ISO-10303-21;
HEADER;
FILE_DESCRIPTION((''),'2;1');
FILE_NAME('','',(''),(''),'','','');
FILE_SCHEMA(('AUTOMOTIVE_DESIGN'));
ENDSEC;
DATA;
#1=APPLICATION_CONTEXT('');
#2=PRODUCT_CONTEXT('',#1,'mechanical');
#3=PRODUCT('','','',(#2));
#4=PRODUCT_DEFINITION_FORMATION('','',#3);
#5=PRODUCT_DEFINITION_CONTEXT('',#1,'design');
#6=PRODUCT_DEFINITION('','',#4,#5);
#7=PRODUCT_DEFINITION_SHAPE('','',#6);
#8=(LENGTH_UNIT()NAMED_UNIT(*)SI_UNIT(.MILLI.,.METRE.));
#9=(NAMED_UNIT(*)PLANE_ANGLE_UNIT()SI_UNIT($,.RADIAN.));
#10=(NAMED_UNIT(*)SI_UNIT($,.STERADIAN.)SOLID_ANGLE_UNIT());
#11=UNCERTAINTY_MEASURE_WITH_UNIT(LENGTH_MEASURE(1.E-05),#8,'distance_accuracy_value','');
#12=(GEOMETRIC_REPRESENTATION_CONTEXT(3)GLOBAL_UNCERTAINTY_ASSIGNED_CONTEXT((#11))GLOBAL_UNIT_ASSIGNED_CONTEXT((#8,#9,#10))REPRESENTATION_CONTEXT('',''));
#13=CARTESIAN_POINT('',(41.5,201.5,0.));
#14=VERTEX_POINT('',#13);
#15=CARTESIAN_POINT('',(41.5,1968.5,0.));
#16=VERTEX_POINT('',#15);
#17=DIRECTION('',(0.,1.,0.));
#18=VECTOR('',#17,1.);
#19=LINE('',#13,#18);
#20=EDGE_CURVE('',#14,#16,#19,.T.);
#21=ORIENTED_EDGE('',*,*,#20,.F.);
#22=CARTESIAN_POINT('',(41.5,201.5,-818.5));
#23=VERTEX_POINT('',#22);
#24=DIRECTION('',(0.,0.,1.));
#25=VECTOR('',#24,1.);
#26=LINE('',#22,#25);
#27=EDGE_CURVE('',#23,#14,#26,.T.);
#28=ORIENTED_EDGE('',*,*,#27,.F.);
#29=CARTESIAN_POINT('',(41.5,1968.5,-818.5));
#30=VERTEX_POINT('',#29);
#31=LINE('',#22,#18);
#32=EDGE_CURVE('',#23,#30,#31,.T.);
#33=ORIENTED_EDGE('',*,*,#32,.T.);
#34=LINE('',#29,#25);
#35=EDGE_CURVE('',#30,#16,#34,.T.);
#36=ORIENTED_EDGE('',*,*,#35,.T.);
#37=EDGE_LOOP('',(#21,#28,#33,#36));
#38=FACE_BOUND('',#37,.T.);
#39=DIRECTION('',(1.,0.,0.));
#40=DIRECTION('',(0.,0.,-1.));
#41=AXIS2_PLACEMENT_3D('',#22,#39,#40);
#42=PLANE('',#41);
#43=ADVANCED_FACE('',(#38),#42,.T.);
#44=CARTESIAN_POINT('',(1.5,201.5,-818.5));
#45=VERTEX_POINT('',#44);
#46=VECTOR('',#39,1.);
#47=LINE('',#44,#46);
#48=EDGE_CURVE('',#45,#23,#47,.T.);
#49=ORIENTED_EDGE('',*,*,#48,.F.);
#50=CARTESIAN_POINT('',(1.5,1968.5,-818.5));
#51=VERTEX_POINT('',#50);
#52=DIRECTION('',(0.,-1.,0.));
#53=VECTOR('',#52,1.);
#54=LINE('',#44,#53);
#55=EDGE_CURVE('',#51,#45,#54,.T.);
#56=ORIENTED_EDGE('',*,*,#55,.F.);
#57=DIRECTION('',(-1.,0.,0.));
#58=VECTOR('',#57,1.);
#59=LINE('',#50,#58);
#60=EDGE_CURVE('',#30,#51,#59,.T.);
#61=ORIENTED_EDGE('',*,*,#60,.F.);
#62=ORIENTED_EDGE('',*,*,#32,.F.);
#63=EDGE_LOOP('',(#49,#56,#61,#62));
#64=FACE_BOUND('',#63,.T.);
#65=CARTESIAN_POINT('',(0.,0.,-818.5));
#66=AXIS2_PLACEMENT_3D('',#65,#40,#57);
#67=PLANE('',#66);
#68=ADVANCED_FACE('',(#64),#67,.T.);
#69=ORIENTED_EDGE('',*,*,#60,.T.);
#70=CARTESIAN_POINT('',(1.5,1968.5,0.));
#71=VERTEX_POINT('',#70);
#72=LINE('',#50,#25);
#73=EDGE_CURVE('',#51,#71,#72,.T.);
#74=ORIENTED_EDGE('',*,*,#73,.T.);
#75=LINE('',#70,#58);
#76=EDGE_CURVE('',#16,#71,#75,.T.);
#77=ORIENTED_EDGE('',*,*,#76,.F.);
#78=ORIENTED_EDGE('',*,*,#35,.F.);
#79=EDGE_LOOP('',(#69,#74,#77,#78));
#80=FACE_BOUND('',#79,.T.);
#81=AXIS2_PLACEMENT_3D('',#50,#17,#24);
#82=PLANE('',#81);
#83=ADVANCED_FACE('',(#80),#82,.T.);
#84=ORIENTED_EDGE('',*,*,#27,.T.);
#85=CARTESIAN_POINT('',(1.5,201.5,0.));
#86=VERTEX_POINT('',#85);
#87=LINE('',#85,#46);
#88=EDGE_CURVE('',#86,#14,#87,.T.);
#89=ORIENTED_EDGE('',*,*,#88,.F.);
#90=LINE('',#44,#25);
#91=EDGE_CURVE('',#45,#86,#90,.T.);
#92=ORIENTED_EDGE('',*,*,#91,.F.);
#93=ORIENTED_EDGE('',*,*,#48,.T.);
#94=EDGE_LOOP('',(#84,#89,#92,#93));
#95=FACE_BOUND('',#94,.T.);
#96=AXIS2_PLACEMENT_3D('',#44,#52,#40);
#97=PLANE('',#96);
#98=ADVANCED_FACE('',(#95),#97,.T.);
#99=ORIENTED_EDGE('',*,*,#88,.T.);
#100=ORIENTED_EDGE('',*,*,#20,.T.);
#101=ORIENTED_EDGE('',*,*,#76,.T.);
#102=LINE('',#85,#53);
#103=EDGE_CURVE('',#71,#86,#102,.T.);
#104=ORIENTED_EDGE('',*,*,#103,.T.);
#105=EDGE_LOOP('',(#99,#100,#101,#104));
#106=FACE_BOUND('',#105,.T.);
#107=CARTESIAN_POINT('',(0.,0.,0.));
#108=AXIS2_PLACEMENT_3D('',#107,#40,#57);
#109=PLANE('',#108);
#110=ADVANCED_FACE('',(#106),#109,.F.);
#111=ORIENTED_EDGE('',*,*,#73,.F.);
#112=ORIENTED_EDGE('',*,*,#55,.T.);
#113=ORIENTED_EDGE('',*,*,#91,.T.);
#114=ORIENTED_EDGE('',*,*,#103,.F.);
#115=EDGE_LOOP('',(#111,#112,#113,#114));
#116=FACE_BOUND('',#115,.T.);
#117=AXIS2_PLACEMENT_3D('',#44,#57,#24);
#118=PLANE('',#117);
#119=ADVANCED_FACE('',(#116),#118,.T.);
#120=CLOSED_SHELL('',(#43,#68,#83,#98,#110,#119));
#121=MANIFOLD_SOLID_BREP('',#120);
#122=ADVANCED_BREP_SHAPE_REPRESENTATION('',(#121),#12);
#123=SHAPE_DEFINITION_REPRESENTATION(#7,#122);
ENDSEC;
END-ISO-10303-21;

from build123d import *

# Parameters (mm, degrees)
SKETCH1_W                  = 40
SKETCH1_H                  = 1767
TOPPING_PU_YAN_SOL_1_DEPTH = 818.5


with BuildPart() as part:
    # Sketch1 → TOPPING_pu_yan_sol_1 (new body)
    with BuildSketch(Plane.XY):
        with Locations((21.5, 1085)):
            Rectangle(SKETCH1_W, SKETCH1_H)
    extrude(amount=-TOPPING_PU_YAN_SOL_1_DEPTH)


solid = part.part
